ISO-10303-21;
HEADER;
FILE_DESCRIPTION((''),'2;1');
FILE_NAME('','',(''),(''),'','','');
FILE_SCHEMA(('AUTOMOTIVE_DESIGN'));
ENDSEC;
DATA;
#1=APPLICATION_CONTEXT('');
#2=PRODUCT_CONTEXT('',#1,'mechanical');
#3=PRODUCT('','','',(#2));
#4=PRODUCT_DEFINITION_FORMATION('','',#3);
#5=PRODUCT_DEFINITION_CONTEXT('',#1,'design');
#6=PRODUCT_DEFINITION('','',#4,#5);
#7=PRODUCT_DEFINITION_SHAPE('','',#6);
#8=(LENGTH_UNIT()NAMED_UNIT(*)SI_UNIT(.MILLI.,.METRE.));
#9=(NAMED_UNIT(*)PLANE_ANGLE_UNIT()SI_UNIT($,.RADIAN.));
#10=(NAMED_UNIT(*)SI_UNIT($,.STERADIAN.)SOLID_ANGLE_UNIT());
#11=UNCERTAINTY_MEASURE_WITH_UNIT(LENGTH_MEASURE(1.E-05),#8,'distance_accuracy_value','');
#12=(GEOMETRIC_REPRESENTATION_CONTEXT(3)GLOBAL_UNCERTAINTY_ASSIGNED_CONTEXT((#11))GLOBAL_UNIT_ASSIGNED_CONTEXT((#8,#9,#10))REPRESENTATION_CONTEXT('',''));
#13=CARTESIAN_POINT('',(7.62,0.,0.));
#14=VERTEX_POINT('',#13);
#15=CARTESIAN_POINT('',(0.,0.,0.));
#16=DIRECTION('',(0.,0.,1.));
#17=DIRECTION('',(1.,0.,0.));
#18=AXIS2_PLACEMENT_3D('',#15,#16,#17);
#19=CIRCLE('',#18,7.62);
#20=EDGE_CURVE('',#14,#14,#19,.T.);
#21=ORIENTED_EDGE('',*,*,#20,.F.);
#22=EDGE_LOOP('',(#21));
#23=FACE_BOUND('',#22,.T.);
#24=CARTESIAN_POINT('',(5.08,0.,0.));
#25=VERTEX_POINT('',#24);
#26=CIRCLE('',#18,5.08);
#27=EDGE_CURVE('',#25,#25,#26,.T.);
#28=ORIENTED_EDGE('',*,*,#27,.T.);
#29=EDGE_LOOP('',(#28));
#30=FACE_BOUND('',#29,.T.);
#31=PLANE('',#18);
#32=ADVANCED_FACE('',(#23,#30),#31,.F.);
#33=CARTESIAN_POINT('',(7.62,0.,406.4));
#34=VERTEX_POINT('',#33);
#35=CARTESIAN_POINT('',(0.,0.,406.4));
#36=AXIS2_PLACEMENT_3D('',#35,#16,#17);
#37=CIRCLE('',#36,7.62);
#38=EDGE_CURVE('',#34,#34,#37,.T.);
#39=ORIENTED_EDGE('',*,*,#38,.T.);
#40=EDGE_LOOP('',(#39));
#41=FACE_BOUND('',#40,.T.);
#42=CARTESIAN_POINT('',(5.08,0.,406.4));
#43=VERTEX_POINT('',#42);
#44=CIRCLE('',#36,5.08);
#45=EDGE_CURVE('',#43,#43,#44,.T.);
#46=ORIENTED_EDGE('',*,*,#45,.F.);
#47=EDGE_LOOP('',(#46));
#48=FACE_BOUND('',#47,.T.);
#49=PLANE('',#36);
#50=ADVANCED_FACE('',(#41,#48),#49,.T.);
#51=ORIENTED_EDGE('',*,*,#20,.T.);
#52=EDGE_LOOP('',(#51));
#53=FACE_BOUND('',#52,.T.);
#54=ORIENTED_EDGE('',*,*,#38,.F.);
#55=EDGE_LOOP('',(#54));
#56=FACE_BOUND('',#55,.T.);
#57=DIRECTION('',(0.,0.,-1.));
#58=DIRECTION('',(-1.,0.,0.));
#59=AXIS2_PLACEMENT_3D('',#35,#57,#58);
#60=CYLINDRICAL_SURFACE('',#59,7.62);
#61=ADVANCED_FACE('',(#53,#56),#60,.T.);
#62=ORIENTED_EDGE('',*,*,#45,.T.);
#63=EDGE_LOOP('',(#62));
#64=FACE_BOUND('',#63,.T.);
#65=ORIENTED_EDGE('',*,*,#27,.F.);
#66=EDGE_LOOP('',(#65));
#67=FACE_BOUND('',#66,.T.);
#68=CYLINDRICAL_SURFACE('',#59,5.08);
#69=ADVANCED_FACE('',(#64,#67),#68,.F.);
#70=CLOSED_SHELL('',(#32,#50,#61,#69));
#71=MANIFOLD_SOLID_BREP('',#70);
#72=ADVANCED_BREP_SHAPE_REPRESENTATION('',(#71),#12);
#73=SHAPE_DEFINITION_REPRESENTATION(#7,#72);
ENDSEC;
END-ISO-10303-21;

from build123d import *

# Parameters (mm, degrees)
SKETCH1_R           = 7.62
SKETCH1_R_2         = 5.08
BOSS_EXTRUDE1_DEPTH = 406.4


with BuildPart() as part:
    # Sketch1 → Boss-Extrude1 (new body)
    with BuildSketch(Plane.XY):
        Circle(SKETCH1_R)
        Circle(SKETCH1_R_2, mode=Mode.SUBTRACT)
    extrude(amount=BOSS_EXTRUDE1_DEPTH)


solid = part.part
